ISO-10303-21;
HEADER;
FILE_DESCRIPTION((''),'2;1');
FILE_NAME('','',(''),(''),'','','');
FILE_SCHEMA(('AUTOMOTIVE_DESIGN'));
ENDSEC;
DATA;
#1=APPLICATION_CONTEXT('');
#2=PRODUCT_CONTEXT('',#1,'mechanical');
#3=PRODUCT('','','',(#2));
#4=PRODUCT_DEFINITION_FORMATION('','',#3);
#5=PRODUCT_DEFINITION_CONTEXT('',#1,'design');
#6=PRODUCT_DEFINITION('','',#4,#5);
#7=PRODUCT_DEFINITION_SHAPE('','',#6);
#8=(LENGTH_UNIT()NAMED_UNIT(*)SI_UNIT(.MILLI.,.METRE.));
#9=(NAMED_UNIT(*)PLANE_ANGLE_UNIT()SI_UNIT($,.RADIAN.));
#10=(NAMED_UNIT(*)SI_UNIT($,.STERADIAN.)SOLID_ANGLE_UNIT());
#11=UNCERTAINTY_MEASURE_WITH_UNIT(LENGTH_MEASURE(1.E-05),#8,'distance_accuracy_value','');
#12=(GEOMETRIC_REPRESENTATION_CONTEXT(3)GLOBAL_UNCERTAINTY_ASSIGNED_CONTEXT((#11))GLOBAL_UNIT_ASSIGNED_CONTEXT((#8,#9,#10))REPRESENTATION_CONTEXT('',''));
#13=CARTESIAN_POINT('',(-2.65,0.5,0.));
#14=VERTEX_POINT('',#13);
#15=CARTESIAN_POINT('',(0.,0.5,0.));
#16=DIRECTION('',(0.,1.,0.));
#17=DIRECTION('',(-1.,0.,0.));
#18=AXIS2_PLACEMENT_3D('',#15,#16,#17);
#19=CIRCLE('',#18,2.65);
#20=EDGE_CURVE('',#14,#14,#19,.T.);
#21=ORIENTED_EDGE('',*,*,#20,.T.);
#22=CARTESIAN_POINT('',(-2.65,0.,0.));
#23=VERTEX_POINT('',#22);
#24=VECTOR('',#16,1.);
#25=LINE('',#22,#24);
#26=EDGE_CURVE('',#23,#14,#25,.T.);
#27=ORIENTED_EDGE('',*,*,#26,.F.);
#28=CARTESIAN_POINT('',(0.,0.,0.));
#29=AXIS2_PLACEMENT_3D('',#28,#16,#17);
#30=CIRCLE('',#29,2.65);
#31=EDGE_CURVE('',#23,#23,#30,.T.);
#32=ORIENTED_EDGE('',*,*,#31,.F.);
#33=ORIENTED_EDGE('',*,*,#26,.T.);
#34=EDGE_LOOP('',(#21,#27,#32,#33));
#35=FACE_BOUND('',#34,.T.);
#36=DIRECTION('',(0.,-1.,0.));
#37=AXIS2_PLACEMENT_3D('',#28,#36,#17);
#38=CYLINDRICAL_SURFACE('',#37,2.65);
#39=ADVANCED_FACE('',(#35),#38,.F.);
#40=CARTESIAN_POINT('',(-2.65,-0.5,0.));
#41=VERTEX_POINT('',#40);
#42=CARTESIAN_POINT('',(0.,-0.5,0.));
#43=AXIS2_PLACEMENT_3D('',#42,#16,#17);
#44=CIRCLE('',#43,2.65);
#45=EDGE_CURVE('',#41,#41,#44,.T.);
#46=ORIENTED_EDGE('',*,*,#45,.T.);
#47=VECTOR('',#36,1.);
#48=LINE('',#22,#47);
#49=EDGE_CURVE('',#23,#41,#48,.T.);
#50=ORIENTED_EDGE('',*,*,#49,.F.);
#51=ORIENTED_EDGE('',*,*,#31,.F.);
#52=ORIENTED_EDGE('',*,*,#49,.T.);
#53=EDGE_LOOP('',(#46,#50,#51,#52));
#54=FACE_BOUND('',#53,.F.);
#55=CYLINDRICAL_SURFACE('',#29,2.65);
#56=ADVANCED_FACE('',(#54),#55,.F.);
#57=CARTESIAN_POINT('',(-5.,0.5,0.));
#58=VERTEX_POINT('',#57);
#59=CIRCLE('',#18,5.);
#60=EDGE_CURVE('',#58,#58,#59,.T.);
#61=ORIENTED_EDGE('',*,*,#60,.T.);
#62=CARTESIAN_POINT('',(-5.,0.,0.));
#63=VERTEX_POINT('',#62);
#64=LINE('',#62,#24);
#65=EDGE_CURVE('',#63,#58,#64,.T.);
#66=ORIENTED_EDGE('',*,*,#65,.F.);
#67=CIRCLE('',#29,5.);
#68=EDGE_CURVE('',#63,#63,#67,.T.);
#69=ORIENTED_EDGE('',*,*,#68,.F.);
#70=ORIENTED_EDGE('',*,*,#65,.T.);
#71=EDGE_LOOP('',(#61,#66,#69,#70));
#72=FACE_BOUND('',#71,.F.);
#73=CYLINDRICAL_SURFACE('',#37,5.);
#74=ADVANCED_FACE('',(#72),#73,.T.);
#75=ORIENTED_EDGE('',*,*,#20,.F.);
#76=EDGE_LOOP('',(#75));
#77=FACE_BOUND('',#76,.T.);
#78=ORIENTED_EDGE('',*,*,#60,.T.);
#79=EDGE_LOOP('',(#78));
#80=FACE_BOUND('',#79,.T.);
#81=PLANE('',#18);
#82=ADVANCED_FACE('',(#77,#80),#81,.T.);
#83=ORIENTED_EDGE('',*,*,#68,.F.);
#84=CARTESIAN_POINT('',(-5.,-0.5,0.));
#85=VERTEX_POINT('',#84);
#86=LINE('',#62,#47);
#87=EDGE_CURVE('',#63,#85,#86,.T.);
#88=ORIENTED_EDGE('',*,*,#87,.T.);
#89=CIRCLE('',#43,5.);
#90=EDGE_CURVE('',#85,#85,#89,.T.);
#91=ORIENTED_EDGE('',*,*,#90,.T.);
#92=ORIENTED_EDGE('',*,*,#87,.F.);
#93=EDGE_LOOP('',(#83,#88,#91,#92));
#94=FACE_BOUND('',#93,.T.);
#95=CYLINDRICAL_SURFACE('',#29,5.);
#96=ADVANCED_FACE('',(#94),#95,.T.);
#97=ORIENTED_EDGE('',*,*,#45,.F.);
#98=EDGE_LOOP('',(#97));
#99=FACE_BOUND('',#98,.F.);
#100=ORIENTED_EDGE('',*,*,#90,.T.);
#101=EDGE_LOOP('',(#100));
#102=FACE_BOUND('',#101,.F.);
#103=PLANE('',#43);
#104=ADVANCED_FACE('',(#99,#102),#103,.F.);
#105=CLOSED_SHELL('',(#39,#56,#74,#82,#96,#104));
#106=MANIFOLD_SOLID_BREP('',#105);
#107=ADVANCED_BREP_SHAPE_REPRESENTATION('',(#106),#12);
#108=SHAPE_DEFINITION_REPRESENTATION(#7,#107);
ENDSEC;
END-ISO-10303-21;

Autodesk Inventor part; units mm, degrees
ref_plane "YZ Plane" through (0, 0, 0) normal (1, 0, 0) x (0, 1, 0)
ref_plane "XZ Plane" through (0, 0, 0) normal (0, 1, 0) x (-1, 0, 0)
ref_plane "XY Plane" through (0, 0, 0) normal (0, 0, 1) x (1, 0, 0)
sketch "Sketch1" plane through (0, 0, 0) normal (0, 1, 0) x (-1, 0, 0)
  circle A0 centre (0, 0) radius 2.65
  circle A1 centre (0, 0) radius 5
  dimension "d0" = 5.3
  dimension "d1" = 10
extrude "Extrusion1" add sketch "Sketch1" along normal mid plane 1
properties part number "M5 Washer" material "Stainless Steel"
